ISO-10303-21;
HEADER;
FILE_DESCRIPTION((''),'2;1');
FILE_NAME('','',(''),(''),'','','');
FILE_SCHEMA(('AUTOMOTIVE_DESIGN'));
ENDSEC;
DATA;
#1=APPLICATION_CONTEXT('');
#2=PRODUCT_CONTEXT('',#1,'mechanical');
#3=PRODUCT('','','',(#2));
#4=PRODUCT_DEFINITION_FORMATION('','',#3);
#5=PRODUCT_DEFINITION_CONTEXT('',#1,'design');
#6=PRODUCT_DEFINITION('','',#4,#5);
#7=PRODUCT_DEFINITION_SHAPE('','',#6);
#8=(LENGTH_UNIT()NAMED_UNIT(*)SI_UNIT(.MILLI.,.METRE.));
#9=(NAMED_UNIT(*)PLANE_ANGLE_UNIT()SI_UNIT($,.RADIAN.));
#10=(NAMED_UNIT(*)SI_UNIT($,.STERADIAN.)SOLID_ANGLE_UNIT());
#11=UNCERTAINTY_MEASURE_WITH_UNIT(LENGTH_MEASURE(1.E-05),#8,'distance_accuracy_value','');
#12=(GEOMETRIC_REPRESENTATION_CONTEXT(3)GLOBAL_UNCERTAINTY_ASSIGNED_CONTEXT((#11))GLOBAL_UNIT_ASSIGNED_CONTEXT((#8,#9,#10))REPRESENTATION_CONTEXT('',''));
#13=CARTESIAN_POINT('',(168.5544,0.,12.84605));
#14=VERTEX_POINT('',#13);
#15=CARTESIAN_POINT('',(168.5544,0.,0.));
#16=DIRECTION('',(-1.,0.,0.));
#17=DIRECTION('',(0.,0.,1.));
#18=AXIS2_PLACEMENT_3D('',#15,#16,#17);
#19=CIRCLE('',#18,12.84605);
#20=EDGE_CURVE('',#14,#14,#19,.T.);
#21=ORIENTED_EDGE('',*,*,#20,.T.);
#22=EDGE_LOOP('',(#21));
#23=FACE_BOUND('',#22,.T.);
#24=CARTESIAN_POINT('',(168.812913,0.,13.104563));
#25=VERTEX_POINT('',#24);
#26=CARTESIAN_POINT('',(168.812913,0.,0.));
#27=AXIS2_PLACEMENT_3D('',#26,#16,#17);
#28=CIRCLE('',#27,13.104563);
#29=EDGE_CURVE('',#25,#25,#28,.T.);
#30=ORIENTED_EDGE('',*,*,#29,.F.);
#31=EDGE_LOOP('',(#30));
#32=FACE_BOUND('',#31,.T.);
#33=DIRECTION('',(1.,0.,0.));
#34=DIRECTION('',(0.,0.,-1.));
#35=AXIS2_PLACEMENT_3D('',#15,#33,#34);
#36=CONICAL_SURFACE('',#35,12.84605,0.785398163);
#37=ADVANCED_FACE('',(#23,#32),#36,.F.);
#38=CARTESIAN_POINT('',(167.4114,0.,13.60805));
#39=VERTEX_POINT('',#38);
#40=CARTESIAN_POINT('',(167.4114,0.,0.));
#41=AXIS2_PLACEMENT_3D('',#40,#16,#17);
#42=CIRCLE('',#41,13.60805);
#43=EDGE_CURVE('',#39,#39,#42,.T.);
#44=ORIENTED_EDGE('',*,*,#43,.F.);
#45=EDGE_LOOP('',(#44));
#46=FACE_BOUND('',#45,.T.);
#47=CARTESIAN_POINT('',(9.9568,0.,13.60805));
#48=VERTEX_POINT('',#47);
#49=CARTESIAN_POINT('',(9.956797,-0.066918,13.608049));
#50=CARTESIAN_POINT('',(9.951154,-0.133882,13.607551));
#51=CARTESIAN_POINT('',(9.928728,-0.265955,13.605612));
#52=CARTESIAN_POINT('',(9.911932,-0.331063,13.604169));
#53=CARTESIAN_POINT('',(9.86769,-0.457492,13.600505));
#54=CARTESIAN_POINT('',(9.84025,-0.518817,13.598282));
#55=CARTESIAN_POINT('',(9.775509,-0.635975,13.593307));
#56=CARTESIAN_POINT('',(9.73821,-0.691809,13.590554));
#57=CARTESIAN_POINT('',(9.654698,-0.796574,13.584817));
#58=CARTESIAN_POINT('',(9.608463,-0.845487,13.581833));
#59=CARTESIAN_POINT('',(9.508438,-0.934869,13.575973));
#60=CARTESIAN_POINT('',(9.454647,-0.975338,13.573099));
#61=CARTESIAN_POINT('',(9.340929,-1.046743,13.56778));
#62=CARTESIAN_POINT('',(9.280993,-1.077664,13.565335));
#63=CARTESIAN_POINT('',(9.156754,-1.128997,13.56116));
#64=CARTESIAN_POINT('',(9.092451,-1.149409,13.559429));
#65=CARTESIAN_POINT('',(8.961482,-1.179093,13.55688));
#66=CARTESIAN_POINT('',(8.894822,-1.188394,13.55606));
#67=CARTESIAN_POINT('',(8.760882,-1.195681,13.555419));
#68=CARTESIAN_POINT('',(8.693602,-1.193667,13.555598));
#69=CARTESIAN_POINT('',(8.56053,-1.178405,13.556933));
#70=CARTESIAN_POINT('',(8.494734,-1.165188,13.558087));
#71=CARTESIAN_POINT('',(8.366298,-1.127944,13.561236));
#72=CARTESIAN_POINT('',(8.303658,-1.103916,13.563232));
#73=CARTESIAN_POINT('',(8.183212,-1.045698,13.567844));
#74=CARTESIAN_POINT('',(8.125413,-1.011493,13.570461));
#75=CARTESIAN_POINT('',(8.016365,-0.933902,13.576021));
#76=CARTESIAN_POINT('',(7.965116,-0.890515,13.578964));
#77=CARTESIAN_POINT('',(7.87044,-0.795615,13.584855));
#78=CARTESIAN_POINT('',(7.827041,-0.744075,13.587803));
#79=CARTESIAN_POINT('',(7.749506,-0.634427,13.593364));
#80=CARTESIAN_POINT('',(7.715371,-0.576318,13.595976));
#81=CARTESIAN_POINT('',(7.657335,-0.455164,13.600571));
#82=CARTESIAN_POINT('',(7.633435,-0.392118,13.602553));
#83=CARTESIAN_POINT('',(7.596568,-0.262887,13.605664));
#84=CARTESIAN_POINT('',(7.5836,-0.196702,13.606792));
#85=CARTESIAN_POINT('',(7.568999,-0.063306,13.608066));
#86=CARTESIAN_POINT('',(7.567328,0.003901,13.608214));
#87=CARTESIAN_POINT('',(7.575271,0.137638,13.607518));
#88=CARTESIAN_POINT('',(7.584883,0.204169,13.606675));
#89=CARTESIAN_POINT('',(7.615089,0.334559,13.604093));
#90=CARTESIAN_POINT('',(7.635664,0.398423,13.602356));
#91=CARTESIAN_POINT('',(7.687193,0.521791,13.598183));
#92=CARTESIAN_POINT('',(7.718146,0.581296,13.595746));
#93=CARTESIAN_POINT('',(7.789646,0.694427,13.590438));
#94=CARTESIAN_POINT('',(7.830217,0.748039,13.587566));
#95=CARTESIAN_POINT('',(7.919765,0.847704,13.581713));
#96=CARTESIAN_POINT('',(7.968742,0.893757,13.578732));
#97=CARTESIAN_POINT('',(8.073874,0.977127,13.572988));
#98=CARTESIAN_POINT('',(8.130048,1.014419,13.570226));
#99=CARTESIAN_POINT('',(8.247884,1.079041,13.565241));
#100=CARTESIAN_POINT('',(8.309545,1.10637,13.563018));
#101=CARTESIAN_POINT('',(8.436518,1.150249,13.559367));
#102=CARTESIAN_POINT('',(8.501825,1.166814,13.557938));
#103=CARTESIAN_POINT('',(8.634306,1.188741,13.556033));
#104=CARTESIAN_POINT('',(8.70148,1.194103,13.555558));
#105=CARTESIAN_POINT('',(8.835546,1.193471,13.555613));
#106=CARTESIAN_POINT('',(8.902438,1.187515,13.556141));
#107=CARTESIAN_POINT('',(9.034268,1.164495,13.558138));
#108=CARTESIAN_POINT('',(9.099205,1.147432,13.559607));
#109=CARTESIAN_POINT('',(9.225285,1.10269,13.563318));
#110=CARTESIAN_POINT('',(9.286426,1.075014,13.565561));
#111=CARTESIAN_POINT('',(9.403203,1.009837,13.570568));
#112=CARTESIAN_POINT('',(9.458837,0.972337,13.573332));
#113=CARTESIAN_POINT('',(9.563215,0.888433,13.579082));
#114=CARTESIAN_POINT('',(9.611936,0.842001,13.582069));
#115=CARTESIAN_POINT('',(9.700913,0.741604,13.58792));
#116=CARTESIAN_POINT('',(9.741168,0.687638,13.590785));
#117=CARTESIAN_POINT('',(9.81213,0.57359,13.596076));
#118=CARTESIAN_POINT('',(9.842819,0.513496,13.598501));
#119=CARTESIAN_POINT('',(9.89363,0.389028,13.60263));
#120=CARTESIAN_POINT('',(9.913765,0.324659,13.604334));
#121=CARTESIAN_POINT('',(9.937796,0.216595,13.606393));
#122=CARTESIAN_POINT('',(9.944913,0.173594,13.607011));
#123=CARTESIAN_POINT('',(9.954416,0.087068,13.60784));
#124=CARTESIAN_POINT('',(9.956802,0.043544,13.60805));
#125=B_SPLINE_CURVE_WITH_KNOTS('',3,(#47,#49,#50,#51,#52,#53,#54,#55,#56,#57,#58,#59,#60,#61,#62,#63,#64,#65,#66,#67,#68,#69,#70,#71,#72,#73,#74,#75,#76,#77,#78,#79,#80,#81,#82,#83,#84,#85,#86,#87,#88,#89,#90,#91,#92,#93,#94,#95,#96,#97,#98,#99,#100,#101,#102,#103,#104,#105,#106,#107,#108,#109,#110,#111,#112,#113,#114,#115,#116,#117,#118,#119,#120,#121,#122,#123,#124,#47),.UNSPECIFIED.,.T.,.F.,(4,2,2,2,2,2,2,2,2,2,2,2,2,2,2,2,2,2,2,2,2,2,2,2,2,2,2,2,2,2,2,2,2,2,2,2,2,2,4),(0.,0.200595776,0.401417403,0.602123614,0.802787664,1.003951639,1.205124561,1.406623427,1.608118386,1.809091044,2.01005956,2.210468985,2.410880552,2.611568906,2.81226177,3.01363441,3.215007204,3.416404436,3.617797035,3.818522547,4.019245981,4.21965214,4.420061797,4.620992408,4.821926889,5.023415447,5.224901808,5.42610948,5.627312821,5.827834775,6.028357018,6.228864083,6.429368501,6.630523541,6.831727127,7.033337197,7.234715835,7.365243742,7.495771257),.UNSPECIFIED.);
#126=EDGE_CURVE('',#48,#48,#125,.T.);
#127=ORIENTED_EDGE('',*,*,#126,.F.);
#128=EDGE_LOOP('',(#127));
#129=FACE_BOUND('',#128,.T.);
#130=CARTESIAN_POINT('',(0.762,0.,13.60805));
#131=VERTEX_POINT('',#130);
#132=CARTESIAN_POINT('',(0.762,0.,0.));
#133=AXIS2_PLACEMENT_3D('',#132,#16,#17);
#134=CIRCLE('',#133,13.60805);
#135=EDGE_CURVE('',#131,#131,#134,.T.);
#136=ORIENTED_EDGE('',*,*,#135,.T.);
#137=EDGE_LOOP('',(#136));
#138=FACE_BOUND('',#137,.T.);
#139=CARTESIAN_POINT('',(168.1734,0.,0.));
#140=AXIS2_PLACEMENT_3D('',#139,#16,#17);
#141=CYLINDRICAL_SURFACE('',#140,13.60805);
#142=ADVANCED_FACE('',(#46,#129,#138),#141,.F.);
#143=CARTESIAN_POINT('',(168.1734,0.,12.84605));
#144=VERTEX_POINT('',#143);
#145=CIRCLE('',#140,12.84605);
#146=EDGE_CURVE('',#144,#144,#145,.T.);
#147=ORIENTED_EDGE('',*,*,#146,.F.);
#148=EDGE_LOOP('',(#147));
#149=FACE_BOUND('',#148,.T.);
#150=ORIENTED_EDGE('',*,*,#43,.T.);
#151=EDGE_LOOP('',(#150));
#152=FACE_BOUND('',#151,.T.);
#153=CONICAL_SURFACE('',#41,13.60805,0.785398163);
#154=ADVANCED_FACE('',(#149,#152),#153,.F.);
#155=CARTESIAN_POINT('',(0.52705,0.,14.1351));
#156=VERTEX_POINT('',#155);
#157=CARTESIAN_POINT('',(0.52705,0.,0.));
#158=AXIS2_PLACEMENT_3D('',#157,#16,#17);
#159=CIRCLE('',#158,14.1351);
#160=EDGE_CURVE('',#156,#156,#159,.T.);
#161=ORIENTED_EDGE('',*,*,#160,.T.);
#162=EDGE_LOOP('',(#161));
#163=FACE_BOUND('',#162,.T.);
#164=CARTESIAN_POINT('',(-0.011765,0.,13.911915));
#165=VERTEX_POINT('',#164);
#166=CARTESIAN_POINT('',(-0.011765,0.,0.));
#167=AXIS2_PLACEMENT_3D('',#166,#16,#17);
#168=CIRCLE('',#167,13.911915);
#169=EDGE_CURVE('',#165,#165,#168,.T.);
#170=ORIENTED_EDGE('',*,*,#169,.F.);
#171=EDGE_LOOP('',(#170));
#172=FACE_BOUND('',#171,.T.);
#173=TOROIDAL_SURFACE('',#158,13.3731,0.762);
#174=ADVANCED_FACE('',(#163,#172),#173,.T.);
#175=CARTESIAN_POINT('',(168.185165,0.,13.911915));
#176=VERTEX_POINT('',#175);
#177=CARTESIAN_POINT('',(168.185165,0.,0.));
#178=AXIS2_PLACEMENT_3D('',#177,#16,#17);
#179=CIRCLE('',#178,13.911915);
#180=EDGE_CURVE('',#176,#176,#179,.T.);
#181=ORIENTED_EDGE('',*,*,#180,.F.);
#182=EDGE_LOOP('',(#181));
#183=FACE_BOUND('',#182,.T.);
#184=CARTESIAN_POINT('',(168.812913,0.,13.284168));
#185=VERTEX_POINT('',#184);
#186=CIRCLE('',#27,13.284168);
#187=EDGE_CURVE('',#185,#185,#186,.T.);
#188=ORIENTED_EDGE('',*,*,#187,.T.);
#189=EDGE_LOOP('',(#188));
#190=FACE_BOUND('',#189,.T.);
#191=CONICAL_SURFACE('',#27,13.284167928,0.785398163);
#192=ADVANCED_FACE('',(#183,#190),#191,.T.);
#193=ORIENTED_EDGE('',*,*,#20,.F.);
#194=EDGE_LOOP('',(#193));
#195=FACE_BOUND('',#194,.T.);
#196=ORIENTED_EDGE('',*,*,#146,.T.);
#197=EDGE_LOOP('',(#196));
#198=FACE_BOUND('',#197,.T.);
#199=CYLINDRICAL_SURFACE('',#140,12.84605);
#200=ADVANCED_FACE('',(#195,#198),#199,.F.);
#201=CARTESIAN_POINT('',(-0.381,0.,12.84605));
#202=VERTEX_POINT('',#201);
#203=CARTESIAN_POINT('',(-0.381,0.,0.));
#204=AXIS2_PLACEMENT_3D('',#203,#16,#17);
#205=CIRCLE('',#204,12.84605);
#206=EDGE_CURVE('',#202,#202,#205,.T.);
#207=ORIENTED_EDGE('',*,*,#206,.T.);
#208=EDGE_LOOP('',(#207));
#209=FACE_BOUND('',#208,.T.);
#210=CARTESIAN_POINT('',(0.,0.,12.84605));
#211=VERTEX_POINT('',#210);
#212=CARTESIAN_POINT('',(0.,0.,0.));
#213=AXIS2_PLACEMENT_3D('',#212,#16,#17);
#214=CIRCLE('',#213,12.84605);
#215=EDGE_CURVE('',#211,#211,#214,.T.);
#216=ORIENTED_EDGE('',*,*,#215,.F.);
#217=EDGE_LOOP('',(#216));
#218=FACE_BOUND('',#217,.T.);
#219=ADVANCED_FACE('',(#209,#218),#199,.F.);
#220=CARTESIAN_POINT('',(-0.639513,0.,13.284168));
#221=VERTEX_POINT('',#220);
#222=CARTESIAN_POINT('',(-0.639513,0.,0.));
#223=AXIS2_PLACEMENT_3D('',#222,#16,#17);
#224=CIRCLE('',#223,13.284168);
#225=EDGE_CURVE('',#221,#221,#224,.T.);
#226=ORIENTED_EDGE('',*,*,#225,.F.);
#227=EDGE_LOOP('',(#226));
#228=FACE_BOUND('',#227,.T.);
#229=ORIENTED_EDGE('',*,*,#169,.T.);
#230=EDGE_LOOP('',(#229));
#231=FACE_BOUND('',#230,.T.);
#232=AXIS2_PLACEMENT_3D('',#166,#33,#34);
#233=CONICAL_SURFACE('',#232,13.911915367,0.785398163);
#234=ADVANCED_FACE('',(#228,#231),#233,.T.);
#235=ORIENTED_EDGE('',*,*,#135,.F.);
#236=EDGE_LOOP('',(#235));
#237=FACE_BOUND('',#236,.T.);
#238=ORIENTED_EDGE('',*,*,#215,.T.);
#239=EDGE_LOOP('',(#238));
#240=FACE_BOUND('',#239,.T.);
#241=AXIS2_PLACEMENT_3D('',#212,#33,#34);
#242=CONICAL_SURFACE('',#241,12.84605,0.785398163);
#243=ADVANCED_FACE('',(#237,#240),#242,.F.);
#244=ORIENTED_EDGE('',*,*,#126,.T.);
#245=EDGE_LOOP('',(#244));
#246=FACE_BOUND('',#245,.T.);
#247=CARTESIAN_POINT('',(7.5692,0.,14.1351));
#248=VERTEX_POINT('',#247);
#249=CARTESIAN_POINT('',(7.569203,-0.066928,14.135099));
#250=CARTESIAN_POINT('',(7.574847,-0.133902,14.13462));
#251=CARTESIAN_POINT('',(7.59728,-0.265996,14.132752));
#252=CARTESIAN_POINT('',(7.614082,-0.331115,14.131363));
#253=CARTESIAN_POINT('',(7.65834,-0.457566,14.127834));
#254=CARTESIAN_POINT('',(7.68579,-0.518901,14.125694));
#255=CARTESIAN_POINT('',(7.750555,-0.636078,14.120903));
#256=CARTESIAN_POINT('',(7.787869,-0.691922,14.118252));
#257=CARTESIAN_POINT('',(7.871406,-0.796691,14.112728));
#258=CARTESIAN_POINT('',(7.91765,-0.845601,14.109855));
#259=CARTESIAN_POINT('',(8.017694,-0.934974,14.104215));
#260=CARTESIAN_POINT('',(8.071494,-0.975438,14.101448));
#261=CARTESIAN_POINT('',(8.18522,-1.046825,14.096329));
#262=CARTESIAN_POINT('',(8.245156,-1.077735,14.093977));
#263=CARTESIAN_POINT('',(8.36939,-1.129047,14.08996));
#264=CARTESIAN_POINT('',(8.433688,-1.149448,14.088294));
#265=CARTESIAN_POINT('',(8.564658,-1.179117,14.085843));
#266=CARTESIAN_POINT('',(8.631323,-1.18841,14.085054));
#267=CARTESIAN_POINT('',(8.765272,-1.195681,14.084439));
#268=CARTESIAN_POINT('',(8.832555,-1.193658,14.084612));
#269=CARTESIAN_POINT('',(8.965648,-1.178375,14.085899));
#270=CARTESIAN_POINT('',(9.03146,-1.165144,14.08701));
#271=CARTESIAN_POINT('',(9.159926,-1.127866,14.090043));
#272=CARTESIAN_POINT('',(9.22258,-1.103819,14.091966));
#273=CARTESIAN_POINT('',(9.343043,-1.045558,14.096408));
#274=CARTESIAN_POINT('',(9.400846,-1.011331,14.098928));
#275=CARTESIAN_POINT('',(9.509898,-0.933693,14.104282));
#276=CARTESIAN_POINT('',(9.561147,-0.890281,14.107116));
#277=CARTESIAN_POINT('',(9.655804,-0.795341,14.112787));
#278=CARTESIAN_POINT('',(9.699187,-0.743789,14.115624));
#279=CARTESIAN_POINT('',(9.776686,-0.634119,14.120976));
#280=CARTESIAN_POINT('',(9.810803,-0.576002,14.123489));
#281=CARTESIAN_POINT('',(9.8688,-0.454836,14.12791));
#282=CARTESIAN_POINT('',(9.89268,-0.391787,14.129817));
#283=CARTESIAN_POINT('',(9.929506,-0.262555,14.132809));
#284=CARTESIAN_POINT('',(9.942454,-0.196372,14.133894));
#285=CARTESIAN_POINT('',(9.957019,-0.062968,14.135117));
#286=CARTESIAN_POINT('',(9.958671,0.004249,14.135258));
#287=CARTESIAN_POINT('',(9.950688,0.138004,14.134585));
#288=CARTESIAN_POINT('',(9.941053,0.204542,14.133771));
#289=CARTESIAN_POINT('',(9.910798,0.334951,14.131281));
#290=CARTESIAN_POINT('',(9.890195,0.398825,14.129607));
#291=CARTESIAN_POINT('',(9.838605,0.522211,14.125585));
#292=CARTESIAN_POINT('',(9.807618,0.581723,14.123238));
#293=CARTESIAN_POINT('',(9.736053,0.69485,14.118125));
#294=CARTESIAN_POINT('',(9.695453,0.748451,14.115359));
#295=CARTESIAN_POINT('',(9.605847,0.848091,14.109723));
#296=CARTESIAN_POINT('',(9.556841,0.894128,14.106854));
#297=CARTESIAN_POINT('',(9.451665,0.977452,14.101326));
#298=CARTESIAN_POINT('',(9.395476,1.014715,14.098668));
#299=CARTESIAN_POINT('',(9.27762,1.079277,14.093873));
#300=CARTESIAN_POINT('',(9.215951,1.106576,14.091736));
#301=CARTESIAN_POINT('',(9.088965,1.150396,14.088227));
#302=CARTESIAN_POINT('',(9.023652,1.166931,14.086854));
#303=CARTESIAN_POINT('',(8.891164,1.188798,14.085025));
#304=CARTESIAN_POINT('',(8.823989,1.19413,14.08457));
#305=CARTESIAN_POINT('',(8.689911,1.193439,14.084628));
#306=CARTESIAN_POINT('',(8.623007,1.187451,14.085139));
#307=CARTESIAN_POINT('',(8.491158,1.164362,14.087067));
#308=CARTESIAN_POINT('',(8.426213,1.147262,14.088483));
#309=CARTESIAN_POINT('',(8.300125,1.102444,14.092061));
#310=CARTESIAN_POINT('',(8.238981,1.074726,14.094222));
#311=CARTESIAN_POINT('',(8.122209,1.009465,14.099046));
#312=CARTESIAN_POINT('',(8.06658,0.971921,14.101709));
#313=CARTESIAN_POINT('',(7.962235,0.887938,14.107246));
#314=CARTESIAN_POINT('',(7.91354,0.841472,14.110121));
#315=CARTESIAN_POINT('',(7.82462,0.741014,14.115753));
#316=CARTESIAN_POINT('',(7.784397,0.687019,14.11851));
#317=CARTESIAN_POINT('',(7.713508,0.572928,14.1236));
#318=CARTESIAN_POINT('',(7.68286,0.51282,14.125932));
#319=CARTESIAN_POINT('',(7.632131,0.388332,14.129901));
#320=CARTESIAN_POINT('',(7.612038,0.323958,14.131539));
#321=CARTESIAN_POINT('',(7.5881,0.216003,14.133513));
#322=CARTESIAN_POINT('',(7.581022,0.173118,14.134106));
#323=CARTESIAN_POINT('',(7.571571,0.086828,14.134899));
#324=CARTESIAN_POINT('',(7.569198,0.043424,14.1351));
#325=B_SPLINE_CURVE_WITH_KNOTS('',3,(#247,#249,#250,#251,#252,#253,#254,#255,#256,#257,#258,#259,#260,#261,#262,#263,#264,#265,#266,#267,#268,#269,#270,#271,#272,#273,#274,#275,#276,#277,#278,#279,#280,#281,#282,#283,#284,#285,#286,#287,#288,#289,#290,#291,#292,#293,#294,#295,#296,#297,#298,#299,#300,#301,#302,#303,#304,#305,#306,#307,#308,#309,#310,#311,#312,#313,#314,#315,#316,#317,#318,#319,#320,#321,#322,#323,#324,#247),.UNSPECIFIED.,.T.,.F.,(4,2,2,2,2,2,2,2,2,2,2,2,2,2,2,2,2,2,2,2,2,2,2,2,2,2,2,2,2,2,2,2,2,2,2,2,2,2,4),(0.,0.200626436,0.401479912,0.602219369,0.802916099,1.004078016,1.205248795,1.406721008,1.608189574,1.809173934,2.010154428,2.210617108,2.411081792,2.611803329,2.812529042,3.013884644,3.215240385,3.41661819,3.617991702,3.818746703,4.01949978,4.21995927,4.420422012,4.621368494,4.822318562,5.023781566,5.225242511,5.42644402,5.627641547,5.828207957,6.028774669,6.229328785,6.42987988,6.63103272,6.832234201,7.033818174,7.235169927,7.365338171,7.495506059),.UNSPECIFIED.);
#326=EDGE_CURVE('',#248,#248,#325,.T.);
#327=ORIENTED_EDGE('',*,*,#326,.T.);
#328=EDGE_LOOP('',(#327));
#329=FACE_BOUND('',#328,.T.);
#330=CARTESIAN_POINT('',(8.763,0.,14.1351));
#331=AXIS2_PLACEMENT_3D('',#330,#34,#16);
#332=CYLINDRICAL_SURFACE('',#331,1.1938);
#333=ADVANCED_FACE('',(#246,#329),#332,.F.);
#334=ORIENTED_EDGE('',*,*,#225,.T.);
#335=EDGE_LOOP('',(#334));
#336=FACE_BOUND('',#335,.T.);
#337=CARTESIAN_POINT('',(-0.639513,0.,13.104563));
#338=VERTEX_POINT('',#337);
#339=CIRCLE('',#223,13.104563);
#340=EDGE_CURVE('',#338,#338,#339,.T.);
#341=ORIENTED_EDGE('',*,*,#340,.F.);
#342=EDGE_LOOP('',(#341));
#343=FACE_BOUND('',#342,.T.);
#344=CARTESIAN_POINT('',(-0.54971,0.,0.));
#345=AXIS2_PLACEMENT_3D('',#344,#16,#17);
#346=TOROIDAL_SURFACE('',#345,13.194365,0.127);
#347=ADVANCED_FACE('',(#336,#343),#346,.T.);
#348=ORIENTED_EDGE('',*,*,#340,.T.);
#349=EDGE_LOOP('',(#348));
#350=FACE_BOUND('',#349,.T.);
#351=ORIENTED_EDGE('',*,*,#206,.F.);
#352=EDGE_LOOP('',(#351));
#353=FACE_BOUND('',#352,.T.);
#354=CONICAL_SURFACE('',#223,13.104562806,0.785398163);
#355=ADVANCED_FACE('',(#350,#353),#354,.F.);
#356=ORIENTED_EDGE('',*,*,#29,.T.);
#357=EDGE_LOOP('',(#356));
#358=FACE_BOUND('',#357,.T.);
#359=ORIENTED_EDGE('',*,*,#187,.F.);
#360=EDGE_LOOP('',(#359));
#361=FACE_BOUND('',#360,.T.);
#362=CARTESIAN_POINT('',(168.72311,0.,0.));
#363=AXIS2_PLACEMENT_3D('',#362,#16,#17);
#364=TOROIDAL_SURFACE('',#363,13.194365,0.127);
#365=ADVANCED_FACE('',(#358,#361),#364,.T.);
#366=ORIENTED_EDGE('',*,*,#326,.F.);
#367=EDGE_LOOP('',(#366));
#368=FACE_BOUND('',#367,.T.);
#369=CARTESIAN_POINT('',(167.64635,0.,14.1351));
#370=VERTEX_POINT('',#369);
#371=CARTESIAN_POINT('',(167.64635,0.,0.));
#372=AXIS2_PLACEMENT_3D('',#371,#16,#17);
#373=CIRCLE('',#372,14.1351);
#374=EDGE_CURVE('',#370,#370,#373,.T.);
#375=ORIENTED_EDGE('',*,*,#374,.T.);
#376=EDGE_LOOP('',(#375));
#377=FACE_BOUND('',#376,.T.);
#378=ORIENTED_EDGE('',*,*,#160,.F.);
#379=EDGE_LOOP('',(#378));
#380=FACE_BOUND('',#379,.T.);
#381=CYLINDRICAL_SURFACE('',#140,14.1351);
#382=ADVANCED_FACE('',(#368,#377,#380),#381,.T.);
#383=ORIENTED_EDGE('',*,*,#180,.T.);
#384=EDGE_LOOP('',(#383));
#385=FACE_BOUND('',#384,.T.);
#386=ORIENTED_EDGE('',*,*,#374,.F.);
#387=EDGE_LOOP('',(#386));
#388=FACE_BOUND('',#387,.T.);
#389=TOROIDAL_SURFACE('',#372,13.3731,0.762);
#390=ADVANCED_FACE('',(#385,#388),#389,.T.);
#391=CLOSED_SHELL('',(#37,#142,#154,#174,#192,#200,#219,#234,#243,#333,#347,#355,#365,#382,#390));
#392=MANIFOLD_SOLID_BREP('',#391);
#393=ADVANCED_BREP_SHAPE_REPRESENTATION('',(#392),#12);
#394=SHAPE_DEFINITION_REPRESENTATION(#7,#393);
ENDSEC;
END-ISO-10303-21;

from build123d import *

# Parameters (mm, degrees)
SKETCH2_R          = 1.1938
CUT_EXTRUDE1_DEPTH = 14.1351


with BuildPart() as part:
    # Sketch1 → Revolve1 (revolve)
    with BuildSketch(Plane.XY):
        with BuildLine():
            Line((-0.639512806, 13.104562806), (-0.381, 12.84605))
            Line((-0.381, 12.84605), (0, 12.84605))
            Line((0, 12.84605), (0.762, 13.60805))
            Line((0.762, 13.60805), (167.4114, 13.60805))
            Line((167.4114, 13.60805), (168.1734, 12.84605))
            Line((168.1734, 12.84605), (168.5544, 12.84605))
            Line((168.5544, 12.84605), (168.812912806, 13.104562806))
            ThreePointArc((168.812912806, 13.104562806), (168.850110245, 13.194365367), (168.812912806, 13.284167928))
            Line((168.812912806, 13.284167928), (168.185165367, 13.911915367))
            ThreePointArc((168.185165367, 13.911915367), (167.937954775, 14.077096204), (167.64635, 14.1351))
            Line((167.64635, 14.1351), (0.52705, 14.1351))
            ThreePointArc((0.52705, 14.1351), (0.235445225, 14.077096204), (-0.011765367, 13.911915367))
            Line((-0.011765367, 13.911915367), (-0.639512806, 13.284167928))
            ThreePointArc((-0.639512806, 13.284167928), (-0.676710245, 13.194365367), (-0.639512806, 13.104562806))
        make_face()
    revolve(axis=Axis((168.1734, 0, 0), (-1, 0, 0)))

    # Sketch2 → Cut-Extrude1 (cut)
    with BuildSketch(Plane.XY):
        with Locations((8.763, 0)):
            Circle(SKETCH2_R)
    extrude(amount=CUT_EXTRUDE1_DEPTH, mode=Mode.SUBTRACT)


solid = part.part
